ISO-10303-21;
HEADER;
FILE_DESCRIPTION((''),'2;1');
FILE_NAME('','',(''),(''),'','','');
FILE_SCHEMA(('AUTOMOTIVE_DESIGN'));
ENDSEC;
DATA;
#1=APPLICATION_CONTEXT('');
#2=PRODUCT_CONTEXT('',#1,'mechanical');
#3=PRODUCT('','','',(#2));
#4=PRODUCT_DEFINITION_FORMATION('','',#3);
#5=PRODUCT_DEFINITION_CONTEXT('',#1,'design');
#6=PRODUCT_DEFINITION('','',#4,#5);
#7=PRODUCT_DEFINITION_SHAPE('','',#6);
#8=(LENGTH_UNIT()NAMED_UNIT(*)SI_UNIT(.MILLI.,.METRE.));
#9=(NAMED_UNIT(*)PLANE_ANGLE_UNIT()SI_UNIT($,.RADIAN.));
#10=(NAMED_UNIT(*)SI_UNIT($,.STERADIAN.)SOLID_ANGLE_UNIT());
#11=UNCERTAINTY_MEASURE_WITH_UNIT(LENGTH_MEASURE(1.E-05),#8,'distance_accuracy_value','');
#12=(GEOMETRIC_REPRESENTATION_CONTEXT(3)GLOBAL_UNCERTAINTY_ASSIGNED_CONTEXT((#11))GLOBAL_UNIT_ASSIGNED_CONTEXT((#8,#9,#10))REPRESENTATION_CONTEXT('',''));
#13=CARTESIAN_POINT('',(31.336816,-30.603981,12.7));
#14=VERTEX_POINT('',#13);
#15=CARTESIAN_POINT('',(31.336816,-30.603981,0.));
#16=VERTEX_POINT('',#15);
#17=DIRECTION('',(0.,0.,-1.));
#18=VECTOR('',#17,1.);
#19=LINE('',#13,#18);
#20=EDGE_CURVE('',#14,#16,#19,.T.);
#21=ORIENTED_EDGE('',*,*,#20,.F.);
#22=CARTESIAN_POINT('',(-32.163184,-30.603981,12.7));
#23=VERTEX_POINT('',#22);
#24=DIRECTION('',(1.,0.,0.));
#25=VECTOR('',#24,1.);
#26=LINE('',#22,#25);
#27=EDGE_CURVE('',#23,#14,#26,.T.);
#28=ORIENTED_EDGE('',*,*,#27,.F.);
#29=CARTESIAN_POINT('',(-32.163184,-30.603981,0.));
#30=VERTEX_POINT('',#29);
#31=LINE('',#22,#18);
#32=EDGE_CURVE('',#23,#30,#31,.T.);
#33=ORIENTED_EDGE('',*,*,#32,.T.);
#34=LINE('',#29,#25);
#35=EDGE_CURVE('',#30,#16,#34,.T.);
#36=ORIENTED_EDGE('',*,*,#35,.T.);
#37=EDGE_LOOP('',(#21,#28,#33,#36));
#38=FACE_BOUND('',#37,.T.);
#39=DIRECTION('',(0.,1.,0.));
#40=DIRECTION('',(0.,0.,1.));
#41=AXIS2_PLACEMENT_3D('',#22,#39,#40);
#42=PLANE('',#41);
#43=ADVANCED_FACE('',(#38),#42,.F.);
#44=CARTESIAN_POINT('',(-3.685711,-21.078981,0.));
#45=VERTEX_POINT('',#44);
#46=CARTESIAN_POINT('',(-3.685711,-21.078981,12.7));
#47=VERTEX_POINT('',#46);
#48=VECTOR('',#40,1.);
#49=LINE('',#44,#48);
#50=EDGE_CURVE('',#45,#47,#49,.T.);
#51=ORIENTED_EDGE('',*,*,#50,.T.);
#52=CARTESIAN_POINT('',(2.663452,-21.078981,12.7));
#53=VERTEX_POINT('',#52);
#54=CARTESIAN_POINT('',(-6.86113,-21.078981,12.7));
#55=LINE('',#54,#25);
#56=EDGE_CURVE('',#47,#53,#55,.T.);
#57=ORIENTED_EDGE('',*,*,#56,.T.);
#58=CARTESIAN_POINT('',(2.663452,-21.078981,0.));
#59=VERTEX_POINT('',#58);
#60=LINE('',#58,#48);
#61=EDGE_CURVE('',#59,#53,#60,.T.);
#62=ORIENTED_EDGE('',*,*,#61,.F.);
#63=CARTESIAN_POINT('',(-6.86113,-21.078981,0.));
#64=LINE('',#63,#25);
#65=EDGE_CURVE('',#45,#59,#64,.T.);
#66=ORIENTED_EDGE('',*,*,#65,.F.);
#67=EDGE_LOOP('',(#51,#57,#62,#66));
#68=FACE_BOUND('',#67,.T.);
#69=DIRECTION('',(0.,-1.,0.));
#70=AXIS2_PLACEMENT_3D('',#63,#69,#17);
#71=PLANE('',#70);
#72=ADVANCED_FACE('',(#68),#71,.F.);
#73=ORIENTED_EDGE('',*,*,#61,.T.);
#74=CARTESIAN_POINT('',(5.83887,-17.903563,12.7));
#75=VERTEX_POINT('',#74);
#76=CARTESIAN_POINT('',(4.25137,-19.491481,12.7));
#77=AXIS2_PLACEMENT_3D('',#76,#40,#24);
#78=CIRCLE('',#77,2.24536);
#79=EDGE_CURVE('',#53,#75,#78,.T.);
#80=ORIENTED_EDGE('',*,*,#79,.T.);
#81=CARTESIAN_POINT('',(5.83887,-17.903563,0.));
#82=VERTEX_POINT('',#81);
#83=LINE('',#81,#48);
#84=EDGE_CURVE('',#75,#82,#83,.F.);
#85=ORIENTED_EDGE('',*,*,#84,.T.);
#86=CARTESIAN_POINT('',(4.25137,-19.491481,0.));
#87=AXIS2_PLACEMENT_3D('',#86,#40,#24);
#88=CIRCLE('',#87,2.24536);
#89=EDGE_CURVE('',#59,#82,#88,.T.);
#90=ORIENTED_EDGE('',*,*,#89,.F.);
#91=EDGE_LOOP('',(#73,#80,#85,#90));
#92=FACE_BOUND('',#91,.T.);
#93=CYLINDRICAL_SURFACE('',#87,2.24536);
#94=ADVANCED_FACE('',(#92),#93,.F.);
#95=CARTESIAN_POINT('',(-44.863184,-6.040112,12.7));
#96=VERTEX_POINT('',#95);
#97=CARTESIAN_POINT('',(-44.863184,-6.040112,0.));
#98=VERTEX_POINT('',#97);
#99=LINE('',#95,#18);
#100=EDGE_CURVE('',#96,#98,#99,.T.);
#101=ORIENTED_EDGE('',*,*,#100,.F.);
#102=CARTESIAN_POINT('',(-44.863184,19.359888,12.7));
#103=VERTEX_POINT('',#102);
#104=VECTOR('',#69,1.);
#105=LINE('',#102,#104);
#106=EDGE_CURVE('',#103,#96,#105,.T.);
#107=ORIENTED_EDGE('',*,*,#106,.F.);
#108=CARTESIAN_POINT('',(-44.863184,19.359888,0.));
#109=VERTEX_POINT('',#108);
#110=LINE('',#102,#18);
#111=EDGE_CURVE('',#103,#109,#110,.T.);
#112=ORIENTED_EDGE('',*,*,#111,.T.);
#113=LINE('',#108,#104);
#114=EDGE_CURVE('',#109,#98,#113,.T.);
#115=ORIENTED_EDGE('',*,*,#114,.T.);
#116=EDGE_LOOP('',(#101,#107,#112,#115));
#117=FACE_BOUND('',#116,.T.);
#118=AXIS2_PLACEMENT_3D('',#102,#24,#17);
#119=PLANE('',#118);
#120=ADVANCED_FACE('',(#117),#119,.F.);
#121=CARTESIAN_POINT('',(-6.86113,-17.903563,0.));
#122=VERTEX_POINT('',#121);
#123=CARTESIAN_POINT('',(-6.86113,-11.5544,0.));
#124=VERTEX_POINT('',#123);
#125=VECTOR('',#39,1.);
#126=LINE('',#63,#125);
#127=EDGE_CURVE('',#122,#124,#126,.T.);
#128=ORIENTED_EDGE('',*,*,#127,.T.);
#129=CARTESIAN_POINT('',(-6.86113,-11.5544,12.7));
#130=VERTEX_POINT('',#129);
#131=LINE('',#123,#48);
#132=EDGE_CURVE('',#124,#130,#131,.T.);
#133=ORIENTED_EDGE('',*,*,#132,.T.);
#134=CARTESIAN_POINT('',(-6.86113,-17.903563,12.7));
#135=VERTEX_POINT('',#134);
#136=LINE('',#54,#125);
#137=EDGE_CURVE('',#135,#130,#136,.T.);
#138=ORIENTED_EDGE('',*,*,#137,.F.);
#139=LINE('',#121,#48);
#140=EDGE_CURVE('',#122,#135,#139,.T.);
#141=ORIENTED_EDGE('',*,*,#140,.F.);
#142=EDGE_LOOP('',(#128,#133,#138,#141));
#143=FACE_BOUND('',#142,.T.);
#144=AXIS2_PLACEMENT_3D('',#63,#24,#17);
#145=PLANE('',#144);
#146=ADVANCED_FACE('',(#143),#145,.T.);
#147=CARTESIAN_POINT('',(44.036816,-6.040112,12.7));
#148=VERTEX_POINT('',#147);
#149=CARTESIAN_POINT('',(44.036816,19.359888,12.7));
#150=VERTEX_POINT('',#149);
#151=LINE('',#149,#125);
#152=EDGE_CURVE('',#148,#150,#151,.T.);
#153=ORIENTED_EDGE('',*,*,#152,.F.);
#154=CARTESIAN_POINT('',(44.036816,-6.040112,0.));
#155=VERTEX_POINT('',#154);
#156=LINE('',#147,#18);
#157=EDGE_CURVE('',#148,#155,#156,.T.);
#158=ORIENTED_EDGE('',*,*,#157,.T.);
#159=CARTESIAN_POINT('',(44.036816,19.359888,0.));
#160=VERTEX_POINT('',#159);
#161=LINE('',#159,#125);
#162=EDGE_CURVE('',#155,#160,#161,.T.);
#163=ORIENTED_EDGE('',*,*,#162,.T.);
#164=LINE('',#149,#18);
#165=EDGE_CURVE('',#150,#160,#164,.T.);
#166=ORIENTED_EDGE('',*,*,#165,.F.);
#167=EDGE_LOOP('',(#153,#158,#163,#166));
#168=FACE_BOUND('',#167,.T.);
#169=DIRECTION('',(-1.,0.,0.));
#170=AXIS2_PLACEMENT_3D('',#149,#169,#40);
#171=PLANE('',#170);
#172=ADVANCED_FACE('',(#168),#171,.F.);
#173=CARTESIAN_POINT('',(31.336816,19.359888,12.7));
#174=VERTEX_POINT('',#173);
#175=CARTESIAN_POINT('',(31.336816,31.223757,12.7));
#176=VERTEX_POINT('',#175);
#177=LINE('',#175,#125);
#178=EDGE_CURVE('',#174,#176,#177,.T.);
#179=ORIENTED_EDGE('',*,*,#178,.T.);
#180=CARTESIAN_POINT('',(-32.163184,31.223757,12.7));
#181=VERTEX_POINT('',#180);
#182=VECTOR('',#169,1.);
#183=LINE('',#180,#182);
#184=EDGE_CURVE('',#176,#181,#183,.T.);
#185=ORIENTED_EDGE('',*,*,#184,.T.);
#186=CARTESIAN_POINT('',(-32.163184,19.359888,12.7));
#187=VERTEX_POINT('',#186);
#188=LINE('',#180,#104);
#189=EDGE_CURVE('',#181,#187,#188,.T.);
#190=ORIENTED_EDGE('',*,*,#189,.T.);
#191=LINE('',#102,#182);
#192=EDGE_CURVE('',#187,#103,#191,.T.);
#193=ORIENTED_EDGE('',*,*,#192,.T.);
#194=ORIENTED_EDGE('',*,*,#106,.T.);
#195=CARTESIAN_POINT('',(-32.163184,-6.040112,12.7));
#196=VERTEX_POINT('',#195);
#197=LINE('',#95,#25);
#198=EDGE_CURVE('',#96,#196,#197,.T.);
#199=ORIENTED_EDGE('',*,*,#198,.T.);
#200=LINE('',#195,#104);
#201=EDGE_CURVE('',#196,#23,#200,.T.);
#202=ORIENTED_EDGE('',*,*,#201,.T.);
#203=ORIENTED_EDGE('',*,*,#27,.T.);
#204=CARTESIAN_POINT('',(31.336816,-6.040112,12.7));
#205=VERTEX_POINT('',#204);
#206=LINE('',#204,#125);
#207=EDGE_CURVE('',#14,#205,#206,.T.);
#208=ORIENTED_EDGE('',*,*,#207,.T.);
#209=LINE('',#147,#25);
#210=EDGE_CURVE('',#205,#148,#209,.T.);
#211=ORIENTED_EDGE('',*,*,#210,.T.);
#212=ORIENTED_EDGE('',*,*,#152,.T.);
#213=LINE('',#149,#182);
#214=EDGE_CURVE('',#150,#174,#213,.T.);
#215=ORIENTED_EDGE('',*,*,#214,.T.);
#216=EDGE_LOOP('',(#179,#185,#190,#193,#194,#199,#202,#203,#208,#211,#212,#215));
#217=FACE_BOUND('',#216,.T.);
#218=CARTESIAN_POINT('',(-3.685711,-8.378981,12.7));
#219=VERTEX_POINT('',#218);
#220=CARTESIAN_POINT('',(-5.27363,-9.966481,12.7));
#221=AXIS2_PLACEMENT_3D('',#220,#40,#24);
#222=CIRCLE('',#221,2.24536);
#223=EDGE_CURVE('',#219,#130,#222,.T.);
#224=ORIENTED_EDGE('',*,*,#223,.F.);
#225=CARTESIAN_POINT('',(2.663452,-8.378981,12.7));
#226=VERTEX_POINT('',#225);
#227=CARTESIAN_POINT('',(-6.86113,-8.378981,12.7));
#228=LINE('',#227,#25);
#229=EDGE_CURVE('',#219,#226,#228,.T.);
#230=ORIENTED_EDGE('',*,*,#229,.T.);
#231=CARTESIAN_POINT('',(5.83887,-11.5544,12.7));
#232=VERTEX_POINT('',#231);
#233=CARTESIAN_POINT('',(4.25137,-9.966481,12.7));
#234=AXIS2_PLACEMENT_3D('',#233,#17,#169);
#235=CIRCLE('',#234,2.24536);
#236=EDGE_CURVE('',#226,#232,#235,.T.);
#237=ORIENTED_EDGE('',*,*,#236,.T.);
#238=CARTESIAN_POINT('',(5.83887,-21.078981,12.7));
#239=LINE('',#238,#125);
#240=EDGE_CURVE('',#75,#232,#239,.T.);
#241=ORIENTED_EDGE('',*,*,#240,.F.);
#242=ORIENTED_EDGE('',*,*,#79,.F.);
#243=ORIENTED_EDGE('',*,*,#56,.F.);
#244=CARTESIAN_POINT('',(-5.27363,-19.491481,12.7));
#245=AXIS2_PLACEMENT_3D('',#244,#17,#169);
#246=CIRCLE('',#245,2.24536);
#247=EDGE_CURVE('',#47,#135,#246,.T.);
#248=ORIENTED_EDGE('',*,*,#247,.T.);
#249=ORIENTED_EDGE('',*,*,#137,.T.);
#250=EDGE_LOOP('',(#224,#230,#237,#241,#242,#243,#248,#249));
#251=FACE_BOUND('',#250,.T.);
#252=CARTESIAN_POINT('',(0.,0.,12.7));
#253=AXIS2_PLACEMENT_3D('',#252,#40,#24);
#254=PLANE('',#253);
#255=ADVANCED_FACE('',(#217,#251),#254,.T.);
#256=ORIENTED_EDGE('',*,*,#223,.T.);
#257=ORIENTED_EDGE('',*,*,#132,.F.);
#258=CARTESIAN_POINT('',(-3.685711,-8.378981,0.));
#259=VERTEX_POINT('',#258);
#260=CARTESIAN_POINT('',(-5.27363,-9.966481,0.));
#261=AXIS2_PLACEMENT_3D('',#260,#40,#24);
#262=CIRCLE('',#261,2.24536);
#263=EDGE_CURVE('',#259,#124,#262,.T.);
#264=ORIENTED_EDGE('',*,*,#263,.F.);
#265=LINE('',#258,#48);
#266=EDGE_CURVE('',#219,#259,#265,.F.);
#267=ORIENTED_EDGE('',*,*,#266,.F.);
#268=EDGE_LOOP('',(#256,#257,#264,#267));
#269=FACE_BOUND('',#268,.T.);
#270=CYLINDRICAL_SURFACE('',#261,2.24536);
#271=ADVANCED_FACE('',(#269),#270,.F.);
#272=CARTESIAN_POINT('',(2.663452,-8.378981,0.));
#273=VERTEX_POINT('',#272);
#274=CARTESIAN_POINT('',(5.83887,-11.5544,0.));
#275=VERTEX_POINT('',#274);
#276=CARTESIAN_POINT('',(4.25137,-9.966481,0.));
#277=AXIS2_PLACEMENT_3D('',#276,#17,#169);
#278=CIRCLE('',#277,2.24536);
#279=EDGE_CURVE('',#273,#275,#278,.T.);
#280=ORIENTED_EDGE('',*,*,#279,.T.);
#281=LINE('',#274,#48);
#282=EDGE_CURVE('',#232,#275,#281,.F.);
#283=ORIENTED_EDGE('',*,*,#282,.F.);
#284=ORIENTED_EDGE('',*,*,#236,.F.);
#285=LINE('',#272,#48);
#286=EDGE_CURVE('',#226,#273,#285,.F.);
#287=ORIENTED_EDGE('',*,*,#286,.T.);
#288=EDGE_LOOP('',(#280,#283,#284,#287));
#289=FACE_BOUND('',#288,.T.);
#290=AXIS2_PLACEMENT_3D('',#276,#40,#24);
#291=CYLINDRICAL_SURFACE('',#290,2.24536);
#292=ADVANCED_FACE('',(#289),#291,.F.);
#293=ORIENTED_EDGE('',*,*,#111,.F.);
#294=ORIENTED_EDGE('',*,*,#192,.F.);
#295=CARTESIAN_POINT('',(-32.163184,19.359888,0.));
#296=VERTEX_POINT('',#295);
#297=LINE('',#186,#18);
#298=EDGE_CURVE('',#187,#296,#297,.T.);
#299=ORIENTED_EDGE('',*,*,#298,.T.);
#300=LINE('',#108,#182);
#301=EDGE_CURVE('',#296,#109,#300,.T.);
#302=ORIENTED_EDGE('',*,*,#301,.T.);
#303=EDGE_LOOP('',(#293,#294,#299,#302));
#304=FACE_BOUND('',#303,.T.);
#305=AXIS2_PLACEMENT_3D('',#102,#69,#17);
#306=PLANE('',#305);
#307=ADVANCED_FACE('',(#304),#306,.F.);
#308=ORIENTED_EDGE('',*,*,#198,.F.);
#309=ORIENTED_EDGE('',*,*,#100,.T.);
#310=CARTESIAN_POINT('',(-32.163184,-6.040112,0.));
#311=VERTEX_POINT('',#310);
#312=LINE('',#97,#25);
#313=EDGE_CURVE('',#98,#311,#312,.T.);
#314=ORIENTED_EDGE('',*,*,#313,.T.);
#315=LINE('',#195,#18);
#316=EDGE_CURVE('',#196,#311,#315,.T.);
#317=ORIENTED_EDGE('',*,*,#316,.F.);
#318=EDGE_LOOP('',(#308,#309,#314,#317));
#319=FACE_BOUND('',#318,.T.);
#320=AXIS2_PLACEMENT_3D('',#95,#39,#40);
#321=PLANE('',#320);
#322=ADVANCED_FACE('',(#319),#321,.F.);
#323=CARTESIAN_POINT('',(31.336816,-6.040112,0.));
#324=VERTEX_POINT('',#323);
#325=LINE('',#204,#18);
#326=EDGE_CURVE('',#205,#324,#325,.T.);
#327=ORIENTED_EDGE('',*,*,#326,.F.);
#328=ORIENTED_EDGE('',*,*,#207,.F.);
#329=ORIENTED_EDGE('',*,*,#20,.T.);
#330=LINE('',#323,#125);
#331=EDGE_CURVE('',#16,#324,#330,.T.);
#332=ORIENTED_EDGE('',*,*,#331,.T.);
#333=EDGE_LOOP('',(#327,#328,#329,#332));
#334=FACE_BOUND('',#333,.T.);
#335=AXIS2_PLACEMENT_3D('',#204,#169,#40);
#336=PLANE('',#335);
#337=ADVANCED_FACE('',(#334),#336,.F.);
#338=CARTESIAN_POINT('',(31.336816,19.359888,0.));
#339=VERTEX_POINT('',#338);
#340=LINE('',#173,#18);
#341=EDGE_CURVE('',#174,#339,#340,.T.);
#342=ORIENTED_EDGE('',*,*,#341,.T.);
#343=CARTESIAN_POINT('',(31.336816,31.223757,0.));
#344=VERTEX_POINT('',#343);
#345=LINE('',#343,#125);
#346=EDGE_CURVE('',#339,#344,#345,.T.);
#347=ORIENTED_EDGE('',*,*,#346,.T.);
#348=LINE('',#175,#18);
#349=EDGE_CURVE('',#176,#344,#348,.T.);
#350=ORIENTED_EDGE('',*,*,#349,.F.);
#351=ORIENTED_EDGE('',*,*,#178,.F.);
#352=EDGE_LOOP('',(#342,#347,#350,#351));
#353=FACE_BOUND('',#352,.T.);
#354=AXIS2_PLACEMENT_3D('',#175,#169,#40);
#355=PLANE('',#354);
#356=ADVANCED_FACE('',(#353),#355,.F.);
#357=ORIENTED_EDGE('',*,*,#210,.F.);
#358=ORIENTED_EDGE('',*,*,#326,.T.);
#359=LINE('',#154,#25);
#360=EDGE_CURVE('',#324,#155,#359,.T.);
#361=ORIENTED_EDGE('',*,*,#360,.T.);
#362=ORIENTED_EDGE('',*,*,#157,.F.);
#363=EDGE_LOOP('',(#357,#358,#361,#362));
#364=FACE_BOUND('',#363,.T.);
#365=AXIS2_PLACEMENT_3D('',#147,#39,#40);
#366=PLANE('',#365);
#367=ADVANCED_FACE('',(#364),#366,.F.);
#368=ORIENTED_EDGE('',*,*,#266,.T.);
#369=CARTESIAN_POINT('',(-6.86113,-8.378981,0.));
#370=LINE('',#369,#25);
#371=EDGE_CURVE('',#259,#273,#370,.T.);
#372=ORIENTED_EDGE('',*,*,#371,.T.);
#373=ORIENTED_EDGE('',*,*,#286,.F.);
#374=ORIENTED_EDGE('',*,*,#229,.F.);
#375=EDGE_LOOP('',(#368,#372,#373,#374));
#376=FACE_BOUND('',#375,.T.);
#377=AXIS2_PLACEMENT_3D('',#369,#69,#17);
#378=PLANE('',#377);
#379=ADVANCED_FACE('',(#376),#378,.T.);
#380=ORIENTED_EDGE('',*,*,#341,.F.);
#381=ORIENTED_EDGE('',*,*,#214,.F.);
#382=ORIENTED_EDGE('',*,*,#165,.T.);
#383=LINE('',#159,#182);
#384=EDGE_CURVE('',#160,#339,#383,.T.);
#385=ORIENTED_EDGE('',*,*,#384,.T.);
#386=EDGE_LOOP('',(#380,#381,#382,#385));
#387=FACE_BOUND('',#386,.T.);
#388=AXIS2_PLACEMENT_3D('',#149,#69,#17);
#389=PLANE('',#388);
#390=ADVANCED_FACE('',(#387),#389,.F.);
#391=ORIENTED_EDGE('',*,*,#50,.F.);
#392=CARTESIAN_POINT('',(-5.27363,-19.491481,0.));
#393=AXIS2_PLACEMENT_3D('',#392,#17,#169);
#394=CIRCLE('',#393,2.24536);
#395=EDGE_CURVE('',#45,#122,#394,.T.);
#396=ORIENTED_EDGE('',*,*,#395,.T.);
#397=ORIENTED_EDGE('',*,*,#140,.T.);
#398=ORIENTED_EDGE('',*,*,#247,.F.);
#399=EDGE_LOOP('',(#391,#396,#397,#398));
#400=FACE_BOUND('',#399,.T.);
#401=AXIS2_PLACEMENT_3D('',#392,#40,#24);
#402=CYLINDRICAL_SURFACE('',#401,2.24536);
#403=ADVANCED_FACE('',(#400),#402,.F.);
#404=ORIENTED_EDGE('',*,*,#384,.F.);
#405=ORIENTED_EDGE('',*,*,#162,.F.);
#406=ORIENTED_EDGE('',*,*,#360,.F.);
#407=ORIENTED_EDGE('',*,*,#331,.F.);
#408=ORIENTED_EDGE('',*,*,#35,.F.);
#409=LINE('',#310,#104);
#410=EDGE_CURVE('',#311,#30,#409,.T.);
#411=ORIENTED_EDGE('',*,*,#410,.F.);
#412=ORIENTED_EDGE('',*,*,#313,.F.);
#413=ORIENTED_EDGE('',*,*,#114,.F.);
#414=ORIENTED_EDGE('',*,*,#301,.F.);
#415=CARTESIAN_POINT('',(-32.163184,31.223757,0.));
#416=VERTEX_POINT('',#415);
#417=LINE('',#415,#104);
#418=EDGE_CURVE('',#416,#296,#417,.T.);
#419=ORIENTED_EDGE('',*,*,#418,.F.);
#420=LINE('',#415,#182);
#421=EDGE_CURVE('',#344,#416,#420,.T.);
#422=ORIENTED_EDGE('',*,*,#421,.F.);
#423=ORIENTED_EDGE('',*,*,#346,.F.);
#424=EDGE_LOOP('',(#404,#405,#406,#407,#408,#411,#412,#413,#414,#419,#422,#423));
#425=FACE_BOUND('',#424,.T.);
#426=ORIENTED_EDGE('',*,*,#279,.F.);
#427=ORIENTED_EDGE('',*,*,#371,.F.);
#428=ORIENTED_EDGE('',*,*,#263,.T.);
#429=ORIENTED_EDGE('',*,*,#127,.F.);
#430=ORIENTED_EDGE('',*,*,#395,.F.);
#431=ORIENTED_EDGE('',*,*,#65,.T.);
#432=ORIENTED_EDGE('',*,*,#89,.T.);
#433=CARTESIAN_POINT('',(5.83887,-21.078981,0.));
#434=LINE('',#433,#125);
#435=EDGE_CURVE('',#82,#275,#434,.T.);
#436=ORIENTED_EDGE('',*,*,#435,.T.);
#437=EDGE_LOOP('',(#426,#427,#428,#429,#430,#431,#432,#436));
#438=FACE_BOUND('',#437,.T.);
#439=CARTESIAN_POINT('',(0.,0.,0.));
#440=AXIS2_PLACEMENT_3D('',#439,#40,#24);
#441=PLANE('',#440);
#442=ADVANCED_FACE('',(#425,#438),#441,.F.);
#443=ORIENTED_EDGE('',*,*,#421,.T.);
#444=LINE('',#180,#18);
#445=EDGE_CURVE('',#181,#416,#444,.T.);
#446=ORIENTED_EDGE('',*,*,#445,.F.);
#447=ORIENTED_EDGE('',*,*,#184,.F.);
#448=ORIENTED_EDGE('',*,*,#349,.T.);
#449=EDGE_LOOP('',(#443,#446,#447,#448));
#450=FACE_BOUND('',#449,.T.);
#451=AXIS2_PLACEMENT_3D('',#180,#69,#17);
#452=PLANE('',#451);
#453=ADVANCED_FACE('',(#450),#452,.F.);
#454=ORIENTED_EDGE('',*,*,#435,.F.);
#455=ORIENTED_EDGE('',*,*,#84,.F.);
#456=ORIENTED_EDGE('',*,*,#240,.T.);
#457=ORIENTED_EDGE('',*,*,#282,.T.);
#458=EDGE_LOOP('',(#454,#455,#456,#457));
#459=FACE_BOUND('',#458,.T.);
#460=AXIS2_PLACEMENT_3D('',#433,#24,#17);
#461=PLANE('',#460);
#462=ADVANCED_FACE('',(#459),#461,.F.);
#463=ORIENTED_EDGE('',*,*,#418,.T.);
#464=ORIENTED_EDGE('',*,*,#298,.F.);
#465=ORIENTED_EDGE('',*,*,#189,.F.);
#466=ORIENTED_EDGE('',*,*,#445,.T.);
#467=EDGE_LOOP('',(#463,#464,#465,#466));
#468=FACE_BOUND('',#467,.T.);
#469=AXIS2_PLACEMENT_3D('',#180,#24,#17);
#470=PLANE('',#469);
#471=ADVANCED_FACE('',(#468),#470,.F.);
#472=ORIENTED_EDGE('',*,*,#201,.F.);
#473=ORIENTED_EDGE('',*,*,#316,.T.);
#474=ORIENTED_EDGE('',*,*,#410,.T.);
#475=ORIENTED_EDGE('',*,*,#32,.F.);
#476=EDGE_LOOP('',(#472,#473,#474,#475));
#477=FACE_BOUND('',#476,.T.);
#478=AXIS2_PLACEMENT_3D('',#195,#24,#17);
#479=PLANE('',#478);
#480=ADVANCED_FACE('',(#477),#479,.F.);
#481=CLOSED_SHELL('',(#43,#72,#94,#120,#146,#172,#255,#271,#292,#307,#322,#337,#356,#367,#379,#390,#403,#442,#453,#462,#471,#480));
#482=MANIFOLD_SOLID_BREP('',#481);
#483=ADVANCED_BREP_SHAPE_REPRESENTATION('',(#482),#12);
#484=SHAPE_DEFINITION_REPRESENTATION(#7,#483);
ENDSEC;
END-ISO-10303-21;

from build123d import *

# Parameters (mm, degrees)
BOSS_EXTRUDE1_DEPTH = 12.7
SKETCH2_R           = 2.24536
SKETCH2_W           = 12.7
SKETCH2_H           = 12.7
CUT_EXTRUDE1_DEPTH  = 57.115223473


with BuildPart() as part:
    # Sketch1 → Boss-Extrude1 (new body)
    with BuildSketch(Plane.XY):
        Polygon((-32.163183971, -6.040112022), (-32.163183971, -30.603981495), (31.336816029, -30.603981495), (31.336816029, -6.040112022), (44.036816029, -6.040112022), (44.036816029, 19.359887978), (31.336816029, 19.359887978), (31.336816029, 31.223757452), (-32.163183971, 31.223757452), (-32.163183971, 19.359887978), (-44.863183971, 19.359887978), (-44.863183971, -6.040112022), align=None)
    extrude(amount=BOSS_EXTRUDE1_DEPTH)

    # Sketch2 → Cut-Extrude1 (cut, through all)
    with BuildSketch(Plane.XY.offset(12.7)):
        with Locations((-5.273629901, -9.966481495)):
            Circle(SKETCH2_R)
        with Locations((-5.273629901, -19.491481495)):
            Circle(SKETCH2_R)
        with Locations((4.251370099, -19.491481495)):
            Circle(SKETCH2_R)
        with Locations((4.251370099, -9.966481495)):
            Circle(SKETCH2_R)
        with Locations((-0.511129901, -14.728981495)):
            Rectangle(SKETCH2_W, SKETCH2_H)
    extrude(amount=-CUT_EXTRUDE1_DEPTH, mode=Mode.SUBTRACT)


solid = part.part
